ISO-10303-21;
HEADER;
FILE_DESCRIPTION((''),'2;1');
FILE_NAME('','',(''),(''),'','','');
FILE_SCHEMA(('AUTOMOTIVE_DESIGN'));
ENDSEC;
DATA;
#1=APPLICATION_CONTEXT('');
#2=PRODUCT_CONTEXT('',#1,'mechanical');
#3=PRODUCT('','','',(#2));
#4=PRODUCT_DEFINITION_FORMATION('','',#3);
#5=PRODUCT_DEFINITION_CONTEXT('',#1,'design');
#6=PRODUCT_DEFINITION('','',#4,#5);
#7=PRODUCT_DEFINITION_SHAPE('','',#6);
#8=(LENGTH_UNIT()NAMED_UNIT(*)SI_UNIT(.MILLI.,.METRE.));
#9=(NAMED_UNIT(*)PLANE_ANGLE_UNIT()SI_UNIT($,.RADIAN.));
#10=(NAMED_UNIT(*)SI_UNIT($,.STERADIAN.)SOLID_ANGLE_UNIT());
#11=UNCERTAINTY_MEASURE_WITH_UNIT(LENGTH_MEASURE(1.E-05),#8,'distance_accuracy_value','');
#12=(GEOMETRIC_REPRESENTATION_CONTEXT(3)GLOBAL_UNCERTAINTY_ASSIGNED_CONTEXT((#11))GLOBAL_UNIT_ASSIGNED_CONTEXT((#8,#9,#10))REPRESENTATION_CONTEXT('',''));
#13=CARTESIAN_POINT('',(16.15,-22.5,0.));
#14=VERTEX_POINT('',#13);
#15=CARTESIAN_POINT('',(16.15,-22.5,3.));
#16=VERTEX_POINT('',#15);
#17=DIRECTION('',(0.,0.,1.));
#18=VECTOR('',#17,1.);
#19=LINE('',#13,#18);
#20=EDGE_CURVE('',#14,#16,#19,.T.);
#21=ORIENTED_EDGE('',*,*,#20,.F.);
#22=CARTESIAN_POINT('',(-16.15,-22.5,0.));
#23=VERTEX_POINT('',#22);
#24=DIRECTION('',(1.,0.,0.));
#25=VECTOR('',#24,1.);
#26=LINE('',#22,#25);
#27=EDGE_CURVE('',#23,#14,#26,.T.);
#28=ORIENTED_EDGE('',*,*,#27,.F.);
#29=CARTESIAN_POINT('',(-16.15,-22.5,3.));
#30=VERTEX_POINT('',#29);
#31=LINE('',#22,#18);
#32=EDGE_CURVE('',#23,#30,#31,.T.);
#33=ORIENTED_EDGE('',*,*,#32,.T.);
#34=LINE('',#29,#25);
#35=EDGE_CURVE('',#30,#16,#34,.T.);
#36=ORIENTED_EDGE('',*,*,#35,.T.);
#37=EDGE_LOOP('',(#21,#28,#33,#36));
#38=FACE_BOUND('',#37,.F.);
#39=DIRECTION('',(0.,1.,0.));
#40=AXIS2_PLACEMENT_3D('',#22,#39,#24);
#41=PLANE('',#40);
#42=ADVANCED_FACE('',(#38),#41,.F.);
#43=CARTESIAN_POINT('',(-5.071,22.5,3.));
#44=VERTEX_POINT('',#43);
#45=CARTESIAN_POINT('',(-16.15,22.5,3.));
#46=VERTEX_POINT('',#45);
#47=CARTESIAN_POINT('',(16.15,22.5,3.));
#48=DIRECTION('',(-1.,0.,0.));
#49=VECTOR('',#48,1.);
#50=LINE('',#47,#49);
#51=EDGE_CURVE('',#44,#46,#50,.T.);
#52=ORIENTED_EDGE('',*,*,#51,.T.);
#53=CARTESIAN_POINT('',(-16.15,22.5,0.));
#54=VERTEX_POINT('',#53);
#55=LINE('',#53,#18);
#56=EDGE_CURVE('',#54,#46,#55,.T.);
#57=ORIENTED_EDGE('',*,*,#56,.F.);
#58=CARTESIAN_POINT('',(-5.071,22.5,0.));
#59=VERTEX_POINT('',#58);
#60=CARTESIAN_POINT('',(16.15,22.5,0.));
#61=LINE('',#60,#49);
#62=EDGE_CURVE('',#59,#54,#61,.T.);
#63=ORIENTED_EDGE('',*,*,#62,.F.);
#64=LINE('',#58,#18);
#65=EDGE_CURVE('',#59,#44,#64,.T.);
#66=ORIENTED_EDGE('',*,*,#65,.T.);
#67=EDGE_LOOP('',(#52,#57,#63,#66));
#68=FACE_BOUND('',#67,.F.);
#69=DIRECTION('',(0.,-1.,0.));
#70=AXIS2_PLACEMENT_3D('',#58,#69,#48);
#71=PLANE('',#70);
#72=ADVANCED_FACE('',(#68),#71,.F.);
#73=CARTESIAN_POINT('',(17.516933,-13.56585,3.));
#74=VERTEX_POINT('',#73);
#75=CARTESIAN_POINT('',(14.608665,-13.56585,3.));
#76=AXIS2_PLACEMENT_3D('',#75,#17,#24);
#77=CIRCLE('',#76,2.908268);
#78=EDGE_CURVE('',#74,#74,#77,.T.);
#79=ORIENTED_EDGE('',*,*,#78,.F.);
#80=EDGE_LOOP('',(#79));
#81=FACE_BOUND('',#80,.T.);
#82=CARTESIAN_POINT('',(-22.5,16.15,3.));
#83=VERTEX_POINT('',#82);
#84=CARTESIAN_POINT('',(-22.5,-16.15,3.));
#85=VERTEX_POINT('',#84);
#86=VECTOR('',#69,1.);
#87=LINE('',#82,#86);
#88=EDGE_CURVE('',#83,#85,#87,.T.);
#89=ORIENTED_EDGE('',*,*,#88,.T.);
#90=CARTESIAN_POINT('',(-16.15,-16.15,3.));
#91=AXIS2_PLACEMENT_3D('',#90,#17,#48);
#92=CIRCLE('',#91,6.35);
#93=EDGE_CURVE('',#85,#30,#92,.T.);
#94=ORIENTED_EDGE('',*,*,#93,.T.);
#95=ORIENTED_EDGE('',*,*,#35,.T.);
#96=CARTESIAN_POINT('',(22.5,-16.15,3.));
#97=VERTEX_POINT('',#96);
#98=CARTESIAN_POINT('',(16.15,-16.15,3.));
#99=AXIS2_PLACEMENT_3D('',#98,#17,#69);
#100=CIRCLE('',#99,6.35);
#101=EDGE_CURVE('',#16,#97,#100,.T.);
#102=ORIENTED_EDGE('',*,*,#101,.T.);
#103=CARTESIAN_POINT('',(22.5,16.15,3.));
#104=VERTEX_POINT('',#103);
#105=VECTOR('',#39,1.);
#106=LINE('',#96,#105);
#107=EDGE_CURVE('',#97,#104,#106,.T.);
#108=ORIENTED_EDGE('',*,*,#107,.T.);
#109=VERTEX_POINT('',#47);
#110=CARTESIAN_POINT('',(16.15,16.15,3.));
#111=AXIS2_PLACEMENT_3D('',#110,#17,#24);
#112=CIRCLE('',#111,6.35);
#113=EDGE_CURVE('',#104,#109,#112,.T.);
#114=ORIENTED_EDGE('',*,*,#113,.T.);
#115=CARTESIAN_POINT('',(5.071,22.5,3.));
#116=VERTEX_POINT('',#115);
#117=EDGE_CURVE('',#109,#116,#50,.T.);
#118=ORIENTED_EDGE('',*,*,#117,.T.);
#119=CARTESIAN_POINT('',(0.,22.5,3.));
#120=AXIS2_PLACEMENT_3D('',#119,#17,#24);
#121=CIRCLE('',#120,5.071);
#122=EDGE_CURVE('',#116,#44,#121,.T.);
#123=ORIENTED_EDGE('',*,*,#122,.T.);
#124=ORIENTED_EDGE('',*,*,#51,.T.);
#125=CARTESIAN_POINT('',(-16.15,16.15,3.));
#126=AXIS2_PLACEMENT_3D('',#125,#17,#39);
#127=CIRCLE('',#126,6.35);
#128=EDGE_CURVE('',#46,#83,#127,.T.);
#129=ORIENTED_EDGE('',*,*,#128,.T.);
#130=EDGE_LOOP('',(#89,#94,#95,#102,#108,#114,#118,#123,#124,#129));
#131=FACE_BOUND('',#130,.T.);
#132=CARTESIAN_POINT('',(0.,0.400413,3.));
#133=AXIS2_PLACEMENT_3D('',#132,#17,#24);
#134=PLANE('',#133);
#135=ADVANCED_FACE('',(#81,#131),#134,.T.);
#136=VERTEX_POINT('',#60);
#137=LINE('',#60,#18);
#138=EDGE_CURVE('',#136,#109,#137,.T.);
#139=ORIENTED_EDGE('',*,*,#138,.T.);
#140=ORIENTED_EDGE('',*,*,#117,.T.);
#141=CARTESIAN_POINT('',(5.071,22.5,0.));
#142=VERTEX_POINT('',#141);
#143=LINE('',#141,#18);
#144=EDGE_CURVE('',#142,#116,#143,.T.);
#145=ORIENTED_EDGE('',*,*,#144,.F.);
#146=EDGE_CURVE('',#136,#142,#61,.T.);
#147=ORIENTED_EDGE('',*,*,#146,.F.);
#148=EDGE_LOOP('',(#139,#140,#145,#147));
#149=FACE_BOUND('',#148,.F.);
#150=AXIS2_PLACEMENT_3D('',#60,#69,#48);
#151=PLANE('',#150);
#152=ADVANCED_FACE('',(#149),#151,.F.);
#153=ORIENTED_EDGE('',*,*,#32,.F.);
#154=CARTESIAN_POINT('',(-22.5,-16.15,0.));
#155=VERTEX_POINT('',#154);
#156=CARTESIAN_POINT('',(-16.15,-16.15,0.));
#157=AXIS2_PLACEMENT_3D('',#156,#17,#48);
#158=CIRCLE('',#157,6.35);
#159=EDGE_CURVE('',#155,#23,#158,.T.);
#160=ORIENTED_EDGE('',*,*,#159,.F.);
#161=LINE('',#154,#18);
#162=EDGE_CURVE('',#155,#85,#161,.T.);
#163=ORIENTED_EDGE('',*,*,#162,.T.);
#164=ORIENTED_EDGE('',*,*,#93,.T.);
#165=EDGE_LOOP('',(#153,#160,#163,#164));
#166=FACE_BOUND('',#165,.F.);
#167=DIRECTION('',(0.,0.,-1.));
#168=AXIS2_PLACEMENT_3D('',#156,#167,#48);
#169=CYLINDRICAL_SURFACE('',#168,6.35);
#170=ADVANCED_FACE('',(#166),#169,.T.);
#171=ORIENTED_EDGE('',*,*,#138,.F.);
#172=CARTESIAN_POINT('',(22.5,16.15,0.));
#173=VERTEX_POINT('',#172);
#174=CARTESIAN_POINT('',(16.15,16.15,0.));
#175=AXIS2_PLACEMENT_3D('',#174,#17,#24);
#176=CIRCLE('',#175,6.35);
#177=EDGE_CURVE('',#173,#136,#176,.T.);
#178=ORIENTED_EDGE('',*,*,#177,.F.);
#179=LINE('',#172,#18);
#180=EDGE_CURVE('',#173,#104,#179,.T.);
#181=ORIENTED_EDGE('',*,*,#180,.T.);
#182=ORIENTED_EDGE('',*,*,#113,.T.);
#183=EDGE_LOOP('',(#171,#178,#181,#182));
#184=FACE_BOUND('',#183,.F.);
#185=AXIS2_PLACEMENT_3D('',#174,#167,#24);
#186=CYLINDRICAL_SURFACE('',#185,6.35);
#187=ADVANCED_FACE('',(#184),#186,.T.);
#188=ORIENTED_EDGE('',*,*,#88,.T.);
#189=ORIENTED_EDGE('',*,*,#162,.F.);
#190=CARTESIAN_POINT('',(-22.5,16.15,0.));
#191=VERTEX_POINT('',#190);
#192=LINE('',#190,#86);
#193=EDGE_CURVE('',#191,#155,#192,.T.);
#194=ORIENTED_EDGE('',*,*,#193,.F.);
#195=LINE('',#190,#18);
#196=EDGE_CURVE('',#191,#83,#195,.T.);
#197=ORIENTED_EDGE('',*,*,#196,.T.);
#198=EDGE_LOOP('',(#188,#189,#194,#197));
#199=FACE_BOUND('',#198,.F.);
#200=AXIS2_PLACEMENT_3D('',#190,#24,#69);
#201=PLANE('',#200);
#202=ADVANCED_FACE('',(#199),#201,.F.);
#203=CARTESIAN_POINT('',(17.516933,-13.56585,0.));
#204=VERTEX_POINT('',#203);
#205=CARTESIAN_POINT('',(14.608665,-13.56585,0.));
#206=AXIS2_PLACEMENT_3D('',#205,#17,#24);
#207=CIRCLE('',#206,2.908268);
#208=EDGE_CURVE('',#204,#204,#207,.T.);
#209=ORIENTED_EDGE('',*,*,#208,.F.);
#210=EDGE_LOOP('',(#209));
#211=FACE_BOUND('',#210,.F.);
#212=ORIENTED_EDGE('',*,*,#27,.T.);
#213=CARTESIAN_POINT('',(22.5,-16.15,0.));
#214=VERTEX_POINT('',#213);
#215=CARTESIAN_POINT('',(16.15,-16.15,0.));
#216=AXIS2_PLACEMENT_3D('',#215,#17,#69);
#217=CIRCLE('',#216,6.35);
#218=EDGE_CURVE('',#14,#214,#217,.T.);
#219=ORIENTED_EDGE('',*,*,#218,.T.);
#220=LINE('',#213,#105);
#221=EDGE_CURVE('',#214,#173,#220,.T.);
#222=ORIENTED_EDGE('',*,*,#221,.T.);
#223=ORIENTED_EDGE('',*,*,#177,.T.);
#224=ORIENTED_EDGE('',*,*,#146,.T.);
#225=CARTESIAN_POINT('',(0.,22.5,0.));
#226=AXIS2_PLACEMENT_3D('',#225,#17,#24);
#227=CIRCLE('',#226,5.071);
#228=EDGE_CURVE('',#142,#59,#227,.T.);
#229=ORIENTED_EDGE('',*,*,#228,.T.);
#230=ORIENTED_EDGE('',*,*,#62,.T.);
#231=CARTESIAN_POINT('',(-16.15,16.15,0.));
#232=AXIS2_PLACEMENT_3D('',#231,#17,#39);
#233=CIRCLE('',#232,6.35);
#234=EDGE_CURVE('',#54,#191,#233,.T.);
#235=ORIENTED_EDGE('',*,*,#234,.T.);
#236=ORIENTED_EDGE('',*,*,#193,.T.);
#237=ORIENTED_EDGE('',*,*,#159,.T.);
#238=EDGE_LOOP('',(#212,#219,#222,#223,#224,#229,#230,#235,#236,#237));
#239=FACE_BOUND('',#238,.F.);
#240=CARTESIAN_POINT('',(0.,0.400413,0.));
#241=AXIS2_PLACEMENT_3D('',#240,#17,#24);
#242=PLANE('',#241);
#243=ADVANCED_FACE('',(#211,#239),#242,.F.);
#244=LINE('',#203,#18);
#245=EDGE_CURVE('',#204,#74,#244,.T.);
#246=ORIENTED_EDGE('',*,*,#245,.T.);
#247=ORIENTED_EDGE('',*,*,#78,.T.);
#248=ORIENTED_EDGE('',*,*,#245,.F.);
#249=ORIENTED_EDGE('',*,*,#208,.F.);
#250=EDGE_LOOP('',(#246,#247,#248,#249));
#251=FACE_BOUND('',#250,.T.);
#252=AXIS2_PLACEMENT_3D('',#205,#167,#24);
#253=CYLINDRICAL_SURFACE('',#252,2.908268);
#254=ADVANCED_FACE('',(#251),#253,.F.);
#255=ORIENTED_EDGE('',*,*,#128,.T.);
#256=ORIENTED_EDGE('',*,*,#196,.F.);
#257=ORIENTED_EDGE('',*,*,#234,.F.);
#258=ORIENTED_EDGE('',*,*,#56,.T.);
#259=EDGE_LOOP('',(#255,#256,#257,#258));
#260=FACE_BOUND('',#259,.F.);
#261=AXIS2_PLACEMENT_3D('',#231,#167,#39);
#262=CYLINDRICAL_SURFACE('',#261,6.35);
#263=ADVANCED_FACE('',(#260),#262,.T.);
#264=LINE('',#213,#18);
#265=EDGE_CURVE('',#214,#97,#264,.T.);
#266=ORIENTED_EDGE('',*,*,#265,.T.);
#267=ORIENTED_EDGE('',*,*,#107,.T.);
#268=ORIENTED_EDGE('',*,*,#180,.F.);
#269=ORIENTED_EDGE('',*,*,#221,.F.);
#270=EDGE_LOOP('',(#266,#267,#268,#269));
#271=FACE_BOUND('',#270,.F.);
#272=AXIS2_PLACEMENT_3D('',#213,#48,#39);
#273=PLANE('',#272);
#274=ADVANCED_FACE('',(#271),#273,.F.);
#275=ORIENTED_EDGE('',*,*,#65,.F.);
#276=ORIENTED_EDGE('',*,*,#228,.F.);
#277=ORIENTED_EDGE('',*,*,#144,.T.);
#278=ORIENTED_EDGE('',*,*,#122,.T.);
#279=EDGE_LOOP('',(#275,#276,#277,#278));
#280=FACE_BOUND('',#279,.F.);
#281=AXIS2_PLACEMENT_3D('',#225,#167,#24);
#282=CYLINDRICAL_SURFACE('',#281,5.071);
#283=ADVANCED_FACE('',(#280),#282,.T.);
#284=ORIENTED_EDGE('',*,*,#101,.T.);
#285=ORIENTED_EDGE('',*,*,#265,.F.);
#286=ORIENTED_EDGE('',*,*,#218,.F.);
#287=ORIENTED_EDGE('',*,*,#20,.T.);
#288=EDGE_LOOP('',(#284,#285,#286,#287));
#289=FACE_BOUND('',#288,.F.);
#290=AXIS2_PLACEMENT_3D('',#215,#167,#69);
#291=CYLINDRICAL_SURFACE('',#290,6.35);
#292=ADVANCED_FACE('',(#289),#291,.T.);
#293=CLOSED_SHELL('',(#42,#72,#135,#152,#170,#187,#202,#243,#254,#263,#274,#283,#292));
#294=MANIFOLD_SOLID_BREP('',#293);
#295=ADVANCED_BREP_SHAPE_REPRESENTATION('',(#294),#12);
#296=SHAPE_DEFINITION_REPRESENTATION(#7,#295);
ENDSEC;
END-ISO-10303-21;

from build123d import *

# Parameters (mm, degrees)
F0_R     = 2.9082675489
F0_W     = 20
F0_H     = 29
F0_R_2   = 0.75
F1_DEPTH = 3


with BuildPart() as f1:
    # F0 (on Top) → F1 (new body)
    with BuildSketch(Plane.XY):
        with BuildLine():
            ThreePointArc((22.5, 16.15), (20.6401280605, 20.6401280605), (16.15, 22.5))
            Line((16.15, 22.5), (5.071, 22.5))
            ThreePointArc((5.071, 22.5), (0, 17.429), (-5.071, 22.5))
            Line((-5.071, 22.5), (-16.15, 22.5))
            ThreePointArc((-16.15, 22.5), (-20.6401280605, 20.6401280605), (-22.5, 16.15))
            Line((-22.5, 16.15), (-22.5, -16.15))
            ThreePointArc((-22.5, -16.15), (-20.6401280605, -20.6401280605), (-16.15, -22.5))
            Line((-16.15, -22.5), (16.15, -22.5))
            ThreePointArc((16.15, -22.5), (20.6401280605, -20.6401280605), (22.5, -16.15))
            Line((22.5, -16.15), (22.5, 16.15))
        make_face()
        with Locations((14.6086653695, -13.5658504441)):
            Circle(F0_R, mode=Mode.SUBTRACT)
        Rectangle(F0_W, F0_H, mode=Mode.SUBTRACT)
        Rectangle(F0_W, F0_H)
        with Locations((8, -8.5)):
            Circle(F0_R_2, mode=Mode.SUBTRACT)
        with Locations((-8, 8.5)):
            Circle(F0_R_2, mode=Mode.SUBTRACT)
        with BuildLine():
            ThreePointArc((-5.071, 22.5), (0, 17.429), (5.071, 22.5))
            Line((5.071, 22.5), (-5.071, 22.5))
        make_face()
        with BuildLine():
            Line((-5.071, 22.5), (5.071, 22.5))
            ThreePointArc((5.071, 22.5), (0, 27.571), (-5.071, 22.5))
        make_face()
        with Locations((-8, 8.5)):
            Circle(F0_R_2)
        with Locations((8, -8.5)):
            Circle(F0_R_2)
    extrude(amount=F1_DEPTH)


solid = f1.part
